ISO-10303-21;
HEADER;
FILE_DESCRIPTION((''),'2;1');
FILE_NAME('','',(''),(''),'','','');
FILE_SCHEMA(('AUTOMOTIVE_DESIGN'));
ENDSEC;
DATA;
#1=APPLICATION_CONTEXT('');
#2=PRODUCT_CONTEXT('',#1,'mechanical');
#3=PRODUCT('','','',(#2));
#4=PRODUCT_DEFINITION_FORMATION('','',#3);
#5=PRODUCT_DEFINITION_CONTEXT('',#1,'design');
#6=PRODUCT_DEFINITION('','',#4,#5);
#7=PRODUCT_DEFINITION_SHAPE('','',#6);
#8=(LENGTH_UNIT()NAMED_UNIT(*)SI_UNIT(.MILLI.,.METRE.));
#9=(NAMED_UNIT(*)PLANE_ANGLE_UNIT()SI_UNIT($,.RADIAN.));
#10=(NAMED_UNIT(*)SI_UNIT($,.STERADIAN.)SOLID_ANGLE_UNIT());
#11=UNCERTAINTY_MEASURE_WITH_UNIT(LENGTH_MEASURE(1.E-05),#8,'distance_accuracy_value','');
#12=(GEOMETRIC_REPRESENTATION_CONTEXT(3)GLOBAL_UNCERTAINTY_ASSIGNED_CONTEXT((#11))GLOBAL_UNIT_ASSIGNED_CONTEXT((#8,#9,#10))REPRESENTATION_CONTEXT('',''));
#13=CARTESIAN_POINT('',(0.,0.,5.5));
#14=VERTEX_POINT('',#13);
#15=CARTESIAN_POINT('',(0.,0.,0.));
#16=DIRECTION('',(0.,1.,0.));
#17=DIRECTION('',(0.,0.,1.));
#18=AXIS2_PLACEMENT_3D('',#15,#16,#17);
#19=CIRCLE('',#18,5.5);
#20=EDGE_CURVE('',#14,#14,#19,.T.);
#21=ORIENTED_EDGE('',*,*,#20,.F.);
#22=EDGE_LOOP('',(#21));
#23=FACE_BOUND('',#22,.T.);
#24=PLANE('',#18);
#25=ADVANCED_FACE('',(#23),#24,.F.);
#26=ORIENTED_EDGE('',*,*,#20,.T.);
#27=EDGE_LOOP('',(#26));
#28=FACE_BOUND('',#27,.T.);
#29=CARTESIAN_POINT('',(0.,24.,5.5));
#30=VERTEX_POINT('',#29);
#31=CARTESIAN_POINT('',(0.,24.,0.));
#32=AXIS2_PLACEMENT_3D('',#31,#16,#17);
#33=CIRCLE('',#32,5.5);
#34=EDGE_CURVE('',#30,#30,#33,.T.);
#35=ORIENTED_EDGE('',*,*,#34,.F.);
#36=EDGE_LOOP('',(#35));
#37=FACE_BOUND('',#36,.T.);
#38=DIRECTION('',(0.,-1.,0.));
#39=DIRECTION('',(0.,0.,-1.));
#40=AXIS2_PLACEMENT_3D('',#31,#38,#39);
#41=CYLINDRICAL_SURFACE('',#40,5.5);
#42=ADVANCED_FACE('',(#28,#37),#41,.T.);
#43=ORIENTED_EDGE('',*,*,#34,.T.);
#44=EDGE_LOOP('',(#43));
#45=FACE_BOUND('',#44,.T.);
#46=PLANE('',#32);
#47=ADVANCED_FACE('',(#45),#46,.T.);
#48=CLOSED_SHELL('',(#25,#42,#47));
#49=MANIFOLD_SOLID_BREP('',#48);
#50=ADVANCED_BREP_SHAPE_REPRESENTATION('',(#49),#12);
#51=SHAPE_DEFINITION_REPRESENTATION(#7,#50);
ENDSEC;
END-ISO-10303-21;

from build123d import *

# Parameters (mm, degrees)
SKETCH_1_R      = 5.5
EXTRUDE_1_DEPTH = 24


with BuildPart() as part:
    # 草图1 → 凸台-拉伸1 (new body)
    with BuildSketch(Plane(origin=(0, 0, 0), x_dir=(1, 0, 0), z_dir=(0, 1, 0))):
        with Locations(Location((0, 0, 0), (0, 0, 270))):
            Circle(SKETCH_1_R)
    extrude(amount=EXTRUDE_1_DEPTH)


solid = part.part
